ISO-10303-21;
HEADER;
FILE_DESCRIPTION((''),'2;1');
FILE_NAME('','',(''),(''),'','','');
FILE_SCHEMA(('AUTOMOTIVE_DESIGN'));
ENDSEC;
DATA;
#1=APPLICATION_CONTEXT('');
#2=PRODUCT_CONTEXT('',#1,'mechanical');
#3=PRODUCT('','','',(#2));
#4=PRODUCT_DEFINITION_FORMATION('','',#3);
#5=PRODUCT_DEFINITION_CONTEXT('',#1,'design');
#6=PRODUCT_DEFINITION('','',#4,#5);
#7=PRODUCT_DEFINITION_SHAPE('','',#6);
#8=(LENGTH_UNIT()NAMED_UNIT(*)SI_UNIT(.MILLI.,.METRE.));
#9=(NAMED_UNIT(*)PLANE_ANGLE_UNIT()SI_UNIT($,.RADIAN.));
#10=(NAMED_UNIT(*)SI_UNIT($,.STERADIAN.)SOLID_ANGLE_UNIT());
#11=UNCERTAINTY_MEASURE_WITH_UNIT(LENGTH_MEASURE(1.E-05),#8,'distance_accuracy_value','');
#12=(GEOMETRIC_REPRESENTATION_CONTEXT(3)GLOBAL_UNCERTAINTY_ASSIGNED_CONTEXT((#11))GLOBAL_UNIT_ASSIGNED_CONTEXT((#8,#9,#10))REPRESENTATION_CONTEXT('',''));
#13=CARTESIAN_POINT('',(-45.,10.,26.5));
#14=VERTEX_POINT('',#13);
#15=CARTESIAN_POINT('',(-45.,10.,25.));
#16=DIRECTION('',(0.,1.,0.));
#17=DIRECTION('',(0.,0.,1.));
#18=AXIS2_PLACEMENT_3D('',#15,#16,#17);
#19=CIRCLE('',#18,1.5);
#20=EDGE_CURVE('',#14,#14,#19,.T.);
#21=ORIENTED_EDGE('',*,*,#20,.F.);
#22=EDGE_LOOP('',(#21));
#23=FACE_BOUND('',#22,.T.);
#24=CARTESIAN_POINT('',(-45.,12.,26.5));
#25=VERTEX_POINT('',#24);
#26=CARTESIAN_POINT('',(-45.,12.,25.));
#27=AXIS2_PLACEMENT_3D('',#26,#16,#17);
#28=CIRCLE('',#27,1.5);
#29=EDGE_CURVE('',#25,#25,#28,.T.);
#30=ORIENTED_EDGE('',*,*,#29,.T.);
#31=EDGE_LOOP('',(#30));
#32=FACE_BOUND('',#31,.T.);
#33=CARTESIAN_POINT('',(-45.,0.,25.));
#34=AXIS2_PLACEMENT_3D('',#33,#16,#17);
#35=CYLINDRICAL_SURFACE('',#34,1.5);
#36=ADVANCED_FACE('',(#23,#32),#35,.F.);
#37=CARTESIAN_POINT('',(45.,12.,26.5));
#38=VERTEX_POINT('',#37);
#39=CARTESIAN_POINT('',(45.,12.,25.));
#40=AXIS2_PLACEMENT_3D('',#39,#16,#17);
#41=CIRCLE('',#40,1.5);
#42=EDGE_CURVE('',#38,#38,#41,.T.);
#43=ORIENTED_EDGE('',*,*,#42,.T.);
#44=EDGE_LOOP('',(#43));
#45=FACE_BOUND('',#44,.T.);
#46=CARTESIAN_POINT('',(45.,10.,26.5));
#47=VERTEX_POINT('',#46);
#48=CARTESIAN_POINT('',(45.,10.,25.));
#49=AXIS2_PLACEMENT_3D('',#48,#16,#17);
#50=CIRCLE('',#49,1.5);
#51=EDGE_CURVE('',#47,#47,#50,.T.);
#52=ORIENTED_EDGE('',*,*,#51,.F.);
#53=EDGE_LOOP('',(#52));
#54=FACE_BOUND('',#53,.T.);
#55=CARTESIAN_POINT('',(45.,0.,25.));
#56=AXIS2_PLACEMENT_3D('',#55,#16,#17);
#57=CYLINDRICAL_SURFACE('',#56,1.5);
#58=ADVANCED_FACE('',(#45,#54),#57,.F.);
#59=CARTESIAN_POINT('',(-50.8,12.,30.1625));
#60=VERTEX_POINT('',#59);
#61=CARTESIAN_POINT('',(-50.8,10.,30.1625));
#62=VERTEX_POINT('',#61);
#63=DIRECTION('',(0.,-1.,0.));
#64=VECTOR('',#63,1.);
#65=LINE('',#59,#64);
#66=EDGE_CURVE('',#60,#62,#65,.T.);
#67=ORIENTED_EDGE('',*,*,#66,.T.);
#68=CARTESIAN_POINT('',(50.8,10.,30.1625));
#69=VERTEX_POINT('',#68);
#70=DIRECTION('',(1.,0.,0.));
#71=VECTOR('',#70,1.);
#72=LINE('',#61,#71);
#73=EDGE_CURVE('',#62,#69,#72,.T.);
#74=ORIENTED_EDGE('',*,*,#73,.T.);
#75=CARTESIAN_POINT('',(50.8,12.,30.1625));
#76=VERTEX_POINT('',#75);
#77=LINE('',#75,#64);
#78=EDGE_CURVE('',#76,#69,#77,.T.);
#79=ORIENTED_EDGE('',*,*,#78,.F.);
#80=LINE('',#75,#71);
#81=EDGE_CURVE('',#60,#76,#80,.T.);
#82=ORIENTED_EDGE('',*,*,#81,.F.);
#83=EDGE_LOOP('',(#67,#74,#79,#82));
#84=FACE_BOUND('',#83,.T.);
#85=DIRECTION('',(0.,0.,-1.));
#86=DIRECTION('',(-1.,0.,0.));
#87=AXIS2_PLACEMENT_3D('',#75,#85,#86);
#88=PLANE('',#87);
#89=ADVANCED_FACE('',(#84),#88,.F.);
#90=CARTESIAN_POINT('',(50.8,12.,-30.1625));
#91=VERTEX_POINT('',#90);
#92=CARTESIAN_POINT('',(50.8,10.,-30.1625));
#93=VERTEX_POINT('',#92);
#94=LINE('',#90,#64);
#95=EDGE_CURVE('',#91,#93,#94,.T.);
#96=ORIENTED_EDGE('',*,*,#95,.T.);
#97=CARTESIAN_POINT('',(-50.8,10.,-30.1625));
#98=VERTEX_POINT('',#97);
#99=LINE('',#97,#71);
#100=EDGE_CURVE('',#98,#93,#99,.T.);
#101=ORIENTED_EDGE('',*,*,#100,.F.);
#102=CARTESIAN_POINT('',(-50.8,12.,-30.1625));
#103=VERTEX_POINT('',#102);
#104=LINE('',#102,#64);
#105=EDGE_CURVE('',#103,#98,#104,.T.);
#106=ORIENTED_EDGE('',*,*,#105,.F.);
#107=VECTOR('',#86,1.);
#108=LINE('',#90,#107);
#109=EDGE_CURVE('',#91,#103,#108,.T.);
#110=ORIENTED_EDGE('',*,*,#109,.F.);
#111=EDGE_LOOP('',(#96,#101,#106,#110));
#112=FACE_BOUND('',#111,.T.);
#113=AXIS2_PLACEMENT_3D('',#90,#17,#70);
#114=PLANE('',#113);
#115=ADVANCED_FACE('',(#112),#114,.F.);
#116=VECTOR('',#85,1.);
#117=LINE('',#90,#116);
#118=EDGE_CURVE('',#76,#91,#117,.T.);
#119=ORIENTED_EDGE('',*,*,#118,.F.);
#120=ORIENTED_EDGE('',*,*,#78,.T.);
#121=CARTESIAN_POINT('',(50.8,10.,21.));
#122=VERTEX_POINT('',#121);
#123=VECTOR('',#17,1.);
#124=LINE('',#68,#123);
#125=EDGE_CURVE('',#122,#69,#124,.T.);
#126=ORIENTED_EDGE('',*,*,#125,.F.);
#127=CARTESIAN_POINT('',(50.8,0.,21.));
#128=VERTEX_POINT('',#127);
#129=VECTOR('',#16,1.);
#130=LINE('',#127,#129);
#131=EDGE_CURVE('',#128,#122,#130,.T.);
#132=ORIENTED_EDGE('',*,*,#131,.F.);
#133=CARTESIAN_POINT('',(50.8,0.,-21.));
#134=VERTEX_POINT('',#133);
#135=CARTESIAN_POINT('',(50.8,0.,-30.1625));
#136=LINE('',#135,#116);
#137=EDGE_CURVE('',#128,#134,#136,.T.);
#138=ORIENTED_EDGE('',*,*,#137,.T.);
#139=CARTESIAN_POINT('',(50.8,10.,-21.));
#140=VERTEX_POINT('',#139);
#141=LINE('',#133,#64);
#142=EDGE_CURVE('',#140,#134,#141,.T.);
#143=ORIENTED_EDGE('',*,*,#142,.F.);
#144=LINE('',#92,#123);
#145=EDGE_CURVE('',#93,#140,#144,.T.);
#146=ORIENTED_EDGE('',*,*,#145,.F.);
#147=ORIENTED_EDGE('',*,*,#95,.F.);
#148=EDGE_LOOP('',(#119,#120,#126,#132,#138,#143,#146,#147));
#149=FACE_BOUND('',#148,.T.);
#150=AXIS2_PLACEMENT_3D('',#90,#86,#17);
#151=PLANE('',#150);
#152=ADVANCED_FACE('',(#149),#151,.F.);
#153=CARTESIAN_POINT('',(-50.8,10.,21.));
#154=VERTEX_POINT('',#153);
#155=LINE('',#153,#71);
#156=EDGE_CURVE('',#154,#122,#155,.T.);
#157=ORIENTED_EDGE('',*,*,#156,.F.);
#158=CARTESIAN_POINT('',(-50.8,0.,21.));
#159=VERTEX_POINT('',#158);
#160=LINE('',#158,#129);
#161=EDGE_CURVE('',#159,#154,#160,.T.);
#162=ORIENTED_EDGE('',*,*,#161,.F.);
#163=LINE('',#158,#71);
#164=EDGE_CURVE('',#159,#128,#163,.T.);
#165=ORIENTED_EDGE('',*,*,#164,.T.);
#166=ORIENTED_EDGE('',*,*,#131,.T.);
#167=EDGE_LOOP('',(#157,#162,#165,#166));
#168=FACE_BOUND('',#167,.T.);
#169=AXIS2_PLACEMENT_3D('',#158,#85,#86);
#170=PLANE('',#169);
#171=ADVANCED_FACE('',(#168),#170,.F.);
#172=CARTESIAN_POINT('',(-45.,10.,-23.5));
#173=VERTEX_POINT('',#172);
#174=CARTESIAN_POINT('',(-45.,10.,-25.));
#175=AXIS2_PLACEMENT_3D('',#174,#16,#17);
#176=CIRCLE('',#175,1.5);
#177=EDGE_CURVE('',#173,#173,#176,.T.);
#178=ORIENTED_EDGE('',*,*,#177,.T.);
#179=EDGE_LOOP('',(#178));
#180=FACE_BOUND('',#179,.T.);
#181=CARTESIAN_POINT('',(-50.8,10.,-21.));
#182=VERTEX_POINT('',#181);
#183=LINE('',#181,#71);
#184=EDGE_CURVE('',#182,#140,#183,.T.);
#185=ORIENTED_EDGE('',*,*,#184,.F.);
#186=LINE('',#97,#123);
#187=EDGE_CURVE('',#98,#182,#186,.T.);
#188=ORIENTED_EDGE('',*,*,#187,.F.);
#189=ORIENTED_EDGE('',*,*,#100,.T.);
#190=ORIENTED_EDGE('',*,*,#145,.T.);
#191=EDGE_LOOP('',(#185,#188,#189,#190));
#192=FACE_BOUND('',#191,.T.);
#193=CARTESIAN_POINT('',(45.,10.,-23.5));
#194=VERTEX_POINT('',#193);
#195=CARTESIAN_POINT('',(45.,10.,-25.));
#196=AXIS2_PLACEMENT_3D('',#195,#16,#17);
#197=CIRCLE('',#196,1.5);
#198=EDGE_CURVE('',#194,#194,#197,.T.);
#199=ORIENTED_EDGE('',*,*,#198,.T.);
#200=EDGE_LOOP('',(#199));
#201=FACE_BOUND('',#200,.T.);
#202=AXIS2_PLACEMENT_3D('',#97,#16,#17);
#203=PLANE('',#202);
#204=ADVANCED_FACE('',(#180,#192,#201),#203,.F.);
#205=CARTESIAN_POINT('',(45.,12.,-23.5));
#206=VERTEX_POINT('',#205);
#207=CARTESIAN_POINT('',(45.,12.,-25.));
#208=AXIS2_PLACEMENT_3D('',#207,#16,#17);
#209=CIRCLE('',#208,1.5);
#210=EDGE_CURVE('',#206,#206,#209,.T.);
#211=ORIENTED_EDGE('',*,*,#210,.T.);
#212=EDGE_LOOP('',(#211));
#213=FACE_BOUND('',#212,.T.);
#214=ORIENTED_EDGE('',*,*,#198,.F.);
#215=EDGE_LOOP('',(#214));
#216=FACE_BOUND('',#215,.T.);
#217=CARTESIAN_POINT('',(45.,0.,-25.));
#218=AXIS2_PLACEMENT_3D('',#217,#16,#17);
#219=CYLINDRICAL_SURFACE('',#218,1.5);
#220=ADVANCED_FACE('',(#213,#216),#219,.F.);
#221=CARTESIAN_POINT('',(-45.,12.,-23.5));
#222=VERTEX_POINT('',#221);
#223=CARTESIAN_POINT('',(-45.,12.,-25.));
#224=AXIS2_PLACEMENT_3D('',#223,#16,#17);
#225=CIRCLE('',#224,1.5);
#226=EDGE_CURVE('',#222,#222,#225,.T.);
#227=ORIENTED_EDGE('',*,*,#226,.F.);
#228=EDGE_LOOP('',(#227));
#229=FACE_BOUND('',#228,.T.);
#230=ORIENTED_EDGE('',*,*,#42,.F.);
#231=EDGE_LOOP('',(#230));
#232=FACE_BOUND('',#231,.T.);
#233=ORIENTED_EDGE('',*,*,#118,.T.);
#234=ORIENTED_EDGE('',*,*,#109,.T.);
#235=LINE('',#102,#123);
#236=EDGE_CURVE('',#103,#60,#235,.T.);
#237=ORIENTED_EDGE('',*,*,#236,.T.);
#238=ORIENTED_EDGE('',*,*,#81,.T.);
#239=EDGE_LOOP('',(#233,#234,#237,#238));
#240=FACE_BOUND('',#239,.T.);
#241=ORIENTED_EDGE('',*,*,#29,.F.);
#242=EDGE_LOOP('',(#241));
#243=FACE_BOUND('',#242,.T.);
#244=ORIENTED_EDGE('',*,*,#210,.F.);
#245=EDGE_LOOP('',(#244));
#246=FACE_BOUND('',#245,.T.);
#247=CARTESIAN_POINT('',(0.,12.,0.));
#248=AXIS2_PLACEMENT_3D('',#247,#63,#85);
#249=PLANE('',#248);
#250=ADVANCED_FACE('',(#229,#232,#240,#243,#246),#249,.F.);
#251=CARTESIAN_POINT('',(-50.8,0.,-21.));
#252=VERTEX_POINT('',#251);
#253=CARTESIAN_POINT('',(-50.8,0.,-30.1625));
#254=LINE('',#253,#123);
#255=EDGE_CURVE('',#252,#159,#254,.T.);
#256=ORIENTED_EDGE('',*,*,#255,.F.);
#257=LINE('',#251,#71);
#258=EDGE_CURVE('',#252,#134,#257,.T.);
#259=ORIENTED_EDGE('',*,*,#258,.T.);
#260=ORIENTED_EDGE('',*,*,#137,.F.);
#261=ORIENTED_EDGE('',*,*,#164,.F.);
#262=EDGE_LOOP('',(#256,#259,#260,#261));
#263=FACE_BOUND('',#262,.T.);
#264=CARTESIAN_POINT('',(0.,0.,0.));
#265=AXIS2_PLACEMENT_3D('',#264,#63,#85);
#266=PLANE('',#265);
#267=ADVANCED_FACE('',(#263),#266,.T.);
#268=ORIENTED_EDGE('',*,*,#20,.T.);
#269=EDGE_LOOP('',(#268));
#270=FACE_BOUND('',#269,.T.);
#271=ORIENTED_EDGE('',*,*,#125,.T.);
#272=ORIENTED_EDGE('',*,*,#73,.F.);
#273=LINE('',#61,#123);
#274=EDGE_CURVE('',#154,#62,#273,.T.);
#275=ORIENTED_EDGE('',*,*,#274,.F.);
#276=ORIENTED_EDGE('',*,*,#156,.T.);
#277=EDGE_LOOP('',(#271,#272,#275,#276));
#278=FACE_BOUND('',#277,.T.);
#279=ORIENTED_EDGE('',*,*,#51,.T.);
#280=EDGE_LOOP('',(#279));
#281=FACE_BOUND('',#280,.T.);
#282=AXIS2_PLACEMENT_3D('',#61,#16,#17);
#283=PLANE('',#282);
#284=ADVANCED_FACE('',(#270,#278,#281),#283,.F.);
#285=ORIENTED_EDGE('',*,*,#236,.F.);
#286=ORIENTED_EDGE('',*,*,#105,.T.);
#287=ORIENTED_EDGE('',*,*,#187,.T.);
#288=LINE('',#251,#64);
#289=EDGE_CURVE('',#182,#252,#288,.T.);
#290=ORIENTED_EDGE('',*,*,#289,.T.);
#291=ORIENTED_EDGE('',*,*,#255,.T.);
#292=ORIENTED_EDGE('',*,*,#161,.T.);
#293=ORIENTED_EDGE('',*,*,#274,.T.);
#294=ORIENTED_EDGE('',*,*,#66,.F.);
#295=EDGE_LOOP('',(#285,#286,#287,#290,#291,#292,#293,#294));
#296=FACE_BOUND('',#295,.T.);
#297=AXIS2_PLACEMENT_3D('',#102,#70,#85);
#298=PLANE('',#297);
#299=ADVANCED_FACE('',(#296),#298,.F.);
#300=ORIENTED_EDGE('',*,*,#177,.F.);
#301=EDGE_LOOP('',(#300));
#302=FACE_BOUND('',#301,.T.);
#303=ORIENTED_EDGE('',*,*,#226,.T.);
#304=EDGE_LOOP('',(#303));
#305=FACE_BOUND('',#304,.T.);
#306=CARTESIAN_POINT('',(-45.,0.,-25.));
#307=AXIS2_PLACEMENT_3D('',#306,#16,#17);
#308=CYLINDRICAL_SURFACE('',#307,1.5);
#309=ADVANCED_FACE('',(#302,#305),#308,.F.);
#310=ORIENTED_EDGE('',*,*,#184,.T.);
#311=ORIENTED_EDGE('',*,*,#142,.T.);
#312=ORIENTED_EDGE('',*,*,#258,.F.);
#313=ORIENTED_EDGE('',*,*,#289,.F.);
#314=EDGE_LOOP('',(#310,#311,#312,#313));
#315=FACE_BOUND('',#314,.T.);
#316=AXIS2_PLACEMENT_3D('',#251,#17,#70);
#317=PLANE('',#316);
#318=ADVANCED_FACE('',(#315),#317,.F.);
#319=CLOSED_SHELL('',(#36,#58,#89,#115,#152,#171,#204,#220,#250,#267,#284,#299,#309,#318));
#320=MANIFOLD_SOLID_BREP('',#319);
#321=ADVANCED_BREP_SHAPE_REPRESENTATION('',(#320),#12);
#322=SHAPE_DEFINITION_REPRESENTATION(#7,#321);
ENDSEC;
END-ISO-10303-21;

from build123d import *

# Parameters (mm, degrees)
SKETCH1_W           = 101.6
SKETCH1_H           = 60.325
BOSS_EXTRUDE1_DEPTH = 12
SKETCH2_W           = 9.1625
SKETCH2_H           = 10
CUT_EXTRUDE1_DEPTH  = 102.6
SKETCH3_R           = 1.5
CUT_EXTRUDE2_DEPTH  = 13


with BuildPart() as part:
    # Sketch1 → Boss-Extrude1 (new body)
    with BuildSketch(Plane(origin=(0, 0, 0), x_dir=(1, 0, 0), z_dir=(0, 1, 0))):
        Rectangle(SKETCH1_W, SKETCH1_H)
    extrude(amount=BOSS_EXTRUDE1_DEPTH)

    # Sketch2 → Cut-Extrude1 (cut, through all)
    with BuildSketch(Plane(origin=(50.8, 0, 0), x_dir=(0, 0, -1), z_dir=(1, 0, 0))):
        with Locations((-25.58125, 5)):
            Rectangle(SKETCH2_W, SKETCH2_H)
        with Locations((25.58125, 5)):
            Rectangle(SKETCH2_W, SKETCH2_H)
    extrude(amount=-CUT_EXTRUDE1_DEPTH, mode=Mode.SUBTRACT)

    # Sketch3 → Cut-Extrude2 (cut, through all)
    with BuildSketch(Plane(origin=(0, 12, 0), x_dir=(1, 0, 0), z_dir=(0, 1, 0))):
        with Locations((-45, 25)):
            Circle(SKETCH3_R)
        with Locations((-45, -25)):
            Circle(SKETCH3_R)
        with Locations((45, -25)):
            Circle(SKETCH3_R)
        with Locations((45, 25)):
            Circle(SKETCH3_R)
    extrude(amount=-CUT_EXTRUDE2_DEPTH, mode=Mode.SUBTRACT)


solid = part.part
